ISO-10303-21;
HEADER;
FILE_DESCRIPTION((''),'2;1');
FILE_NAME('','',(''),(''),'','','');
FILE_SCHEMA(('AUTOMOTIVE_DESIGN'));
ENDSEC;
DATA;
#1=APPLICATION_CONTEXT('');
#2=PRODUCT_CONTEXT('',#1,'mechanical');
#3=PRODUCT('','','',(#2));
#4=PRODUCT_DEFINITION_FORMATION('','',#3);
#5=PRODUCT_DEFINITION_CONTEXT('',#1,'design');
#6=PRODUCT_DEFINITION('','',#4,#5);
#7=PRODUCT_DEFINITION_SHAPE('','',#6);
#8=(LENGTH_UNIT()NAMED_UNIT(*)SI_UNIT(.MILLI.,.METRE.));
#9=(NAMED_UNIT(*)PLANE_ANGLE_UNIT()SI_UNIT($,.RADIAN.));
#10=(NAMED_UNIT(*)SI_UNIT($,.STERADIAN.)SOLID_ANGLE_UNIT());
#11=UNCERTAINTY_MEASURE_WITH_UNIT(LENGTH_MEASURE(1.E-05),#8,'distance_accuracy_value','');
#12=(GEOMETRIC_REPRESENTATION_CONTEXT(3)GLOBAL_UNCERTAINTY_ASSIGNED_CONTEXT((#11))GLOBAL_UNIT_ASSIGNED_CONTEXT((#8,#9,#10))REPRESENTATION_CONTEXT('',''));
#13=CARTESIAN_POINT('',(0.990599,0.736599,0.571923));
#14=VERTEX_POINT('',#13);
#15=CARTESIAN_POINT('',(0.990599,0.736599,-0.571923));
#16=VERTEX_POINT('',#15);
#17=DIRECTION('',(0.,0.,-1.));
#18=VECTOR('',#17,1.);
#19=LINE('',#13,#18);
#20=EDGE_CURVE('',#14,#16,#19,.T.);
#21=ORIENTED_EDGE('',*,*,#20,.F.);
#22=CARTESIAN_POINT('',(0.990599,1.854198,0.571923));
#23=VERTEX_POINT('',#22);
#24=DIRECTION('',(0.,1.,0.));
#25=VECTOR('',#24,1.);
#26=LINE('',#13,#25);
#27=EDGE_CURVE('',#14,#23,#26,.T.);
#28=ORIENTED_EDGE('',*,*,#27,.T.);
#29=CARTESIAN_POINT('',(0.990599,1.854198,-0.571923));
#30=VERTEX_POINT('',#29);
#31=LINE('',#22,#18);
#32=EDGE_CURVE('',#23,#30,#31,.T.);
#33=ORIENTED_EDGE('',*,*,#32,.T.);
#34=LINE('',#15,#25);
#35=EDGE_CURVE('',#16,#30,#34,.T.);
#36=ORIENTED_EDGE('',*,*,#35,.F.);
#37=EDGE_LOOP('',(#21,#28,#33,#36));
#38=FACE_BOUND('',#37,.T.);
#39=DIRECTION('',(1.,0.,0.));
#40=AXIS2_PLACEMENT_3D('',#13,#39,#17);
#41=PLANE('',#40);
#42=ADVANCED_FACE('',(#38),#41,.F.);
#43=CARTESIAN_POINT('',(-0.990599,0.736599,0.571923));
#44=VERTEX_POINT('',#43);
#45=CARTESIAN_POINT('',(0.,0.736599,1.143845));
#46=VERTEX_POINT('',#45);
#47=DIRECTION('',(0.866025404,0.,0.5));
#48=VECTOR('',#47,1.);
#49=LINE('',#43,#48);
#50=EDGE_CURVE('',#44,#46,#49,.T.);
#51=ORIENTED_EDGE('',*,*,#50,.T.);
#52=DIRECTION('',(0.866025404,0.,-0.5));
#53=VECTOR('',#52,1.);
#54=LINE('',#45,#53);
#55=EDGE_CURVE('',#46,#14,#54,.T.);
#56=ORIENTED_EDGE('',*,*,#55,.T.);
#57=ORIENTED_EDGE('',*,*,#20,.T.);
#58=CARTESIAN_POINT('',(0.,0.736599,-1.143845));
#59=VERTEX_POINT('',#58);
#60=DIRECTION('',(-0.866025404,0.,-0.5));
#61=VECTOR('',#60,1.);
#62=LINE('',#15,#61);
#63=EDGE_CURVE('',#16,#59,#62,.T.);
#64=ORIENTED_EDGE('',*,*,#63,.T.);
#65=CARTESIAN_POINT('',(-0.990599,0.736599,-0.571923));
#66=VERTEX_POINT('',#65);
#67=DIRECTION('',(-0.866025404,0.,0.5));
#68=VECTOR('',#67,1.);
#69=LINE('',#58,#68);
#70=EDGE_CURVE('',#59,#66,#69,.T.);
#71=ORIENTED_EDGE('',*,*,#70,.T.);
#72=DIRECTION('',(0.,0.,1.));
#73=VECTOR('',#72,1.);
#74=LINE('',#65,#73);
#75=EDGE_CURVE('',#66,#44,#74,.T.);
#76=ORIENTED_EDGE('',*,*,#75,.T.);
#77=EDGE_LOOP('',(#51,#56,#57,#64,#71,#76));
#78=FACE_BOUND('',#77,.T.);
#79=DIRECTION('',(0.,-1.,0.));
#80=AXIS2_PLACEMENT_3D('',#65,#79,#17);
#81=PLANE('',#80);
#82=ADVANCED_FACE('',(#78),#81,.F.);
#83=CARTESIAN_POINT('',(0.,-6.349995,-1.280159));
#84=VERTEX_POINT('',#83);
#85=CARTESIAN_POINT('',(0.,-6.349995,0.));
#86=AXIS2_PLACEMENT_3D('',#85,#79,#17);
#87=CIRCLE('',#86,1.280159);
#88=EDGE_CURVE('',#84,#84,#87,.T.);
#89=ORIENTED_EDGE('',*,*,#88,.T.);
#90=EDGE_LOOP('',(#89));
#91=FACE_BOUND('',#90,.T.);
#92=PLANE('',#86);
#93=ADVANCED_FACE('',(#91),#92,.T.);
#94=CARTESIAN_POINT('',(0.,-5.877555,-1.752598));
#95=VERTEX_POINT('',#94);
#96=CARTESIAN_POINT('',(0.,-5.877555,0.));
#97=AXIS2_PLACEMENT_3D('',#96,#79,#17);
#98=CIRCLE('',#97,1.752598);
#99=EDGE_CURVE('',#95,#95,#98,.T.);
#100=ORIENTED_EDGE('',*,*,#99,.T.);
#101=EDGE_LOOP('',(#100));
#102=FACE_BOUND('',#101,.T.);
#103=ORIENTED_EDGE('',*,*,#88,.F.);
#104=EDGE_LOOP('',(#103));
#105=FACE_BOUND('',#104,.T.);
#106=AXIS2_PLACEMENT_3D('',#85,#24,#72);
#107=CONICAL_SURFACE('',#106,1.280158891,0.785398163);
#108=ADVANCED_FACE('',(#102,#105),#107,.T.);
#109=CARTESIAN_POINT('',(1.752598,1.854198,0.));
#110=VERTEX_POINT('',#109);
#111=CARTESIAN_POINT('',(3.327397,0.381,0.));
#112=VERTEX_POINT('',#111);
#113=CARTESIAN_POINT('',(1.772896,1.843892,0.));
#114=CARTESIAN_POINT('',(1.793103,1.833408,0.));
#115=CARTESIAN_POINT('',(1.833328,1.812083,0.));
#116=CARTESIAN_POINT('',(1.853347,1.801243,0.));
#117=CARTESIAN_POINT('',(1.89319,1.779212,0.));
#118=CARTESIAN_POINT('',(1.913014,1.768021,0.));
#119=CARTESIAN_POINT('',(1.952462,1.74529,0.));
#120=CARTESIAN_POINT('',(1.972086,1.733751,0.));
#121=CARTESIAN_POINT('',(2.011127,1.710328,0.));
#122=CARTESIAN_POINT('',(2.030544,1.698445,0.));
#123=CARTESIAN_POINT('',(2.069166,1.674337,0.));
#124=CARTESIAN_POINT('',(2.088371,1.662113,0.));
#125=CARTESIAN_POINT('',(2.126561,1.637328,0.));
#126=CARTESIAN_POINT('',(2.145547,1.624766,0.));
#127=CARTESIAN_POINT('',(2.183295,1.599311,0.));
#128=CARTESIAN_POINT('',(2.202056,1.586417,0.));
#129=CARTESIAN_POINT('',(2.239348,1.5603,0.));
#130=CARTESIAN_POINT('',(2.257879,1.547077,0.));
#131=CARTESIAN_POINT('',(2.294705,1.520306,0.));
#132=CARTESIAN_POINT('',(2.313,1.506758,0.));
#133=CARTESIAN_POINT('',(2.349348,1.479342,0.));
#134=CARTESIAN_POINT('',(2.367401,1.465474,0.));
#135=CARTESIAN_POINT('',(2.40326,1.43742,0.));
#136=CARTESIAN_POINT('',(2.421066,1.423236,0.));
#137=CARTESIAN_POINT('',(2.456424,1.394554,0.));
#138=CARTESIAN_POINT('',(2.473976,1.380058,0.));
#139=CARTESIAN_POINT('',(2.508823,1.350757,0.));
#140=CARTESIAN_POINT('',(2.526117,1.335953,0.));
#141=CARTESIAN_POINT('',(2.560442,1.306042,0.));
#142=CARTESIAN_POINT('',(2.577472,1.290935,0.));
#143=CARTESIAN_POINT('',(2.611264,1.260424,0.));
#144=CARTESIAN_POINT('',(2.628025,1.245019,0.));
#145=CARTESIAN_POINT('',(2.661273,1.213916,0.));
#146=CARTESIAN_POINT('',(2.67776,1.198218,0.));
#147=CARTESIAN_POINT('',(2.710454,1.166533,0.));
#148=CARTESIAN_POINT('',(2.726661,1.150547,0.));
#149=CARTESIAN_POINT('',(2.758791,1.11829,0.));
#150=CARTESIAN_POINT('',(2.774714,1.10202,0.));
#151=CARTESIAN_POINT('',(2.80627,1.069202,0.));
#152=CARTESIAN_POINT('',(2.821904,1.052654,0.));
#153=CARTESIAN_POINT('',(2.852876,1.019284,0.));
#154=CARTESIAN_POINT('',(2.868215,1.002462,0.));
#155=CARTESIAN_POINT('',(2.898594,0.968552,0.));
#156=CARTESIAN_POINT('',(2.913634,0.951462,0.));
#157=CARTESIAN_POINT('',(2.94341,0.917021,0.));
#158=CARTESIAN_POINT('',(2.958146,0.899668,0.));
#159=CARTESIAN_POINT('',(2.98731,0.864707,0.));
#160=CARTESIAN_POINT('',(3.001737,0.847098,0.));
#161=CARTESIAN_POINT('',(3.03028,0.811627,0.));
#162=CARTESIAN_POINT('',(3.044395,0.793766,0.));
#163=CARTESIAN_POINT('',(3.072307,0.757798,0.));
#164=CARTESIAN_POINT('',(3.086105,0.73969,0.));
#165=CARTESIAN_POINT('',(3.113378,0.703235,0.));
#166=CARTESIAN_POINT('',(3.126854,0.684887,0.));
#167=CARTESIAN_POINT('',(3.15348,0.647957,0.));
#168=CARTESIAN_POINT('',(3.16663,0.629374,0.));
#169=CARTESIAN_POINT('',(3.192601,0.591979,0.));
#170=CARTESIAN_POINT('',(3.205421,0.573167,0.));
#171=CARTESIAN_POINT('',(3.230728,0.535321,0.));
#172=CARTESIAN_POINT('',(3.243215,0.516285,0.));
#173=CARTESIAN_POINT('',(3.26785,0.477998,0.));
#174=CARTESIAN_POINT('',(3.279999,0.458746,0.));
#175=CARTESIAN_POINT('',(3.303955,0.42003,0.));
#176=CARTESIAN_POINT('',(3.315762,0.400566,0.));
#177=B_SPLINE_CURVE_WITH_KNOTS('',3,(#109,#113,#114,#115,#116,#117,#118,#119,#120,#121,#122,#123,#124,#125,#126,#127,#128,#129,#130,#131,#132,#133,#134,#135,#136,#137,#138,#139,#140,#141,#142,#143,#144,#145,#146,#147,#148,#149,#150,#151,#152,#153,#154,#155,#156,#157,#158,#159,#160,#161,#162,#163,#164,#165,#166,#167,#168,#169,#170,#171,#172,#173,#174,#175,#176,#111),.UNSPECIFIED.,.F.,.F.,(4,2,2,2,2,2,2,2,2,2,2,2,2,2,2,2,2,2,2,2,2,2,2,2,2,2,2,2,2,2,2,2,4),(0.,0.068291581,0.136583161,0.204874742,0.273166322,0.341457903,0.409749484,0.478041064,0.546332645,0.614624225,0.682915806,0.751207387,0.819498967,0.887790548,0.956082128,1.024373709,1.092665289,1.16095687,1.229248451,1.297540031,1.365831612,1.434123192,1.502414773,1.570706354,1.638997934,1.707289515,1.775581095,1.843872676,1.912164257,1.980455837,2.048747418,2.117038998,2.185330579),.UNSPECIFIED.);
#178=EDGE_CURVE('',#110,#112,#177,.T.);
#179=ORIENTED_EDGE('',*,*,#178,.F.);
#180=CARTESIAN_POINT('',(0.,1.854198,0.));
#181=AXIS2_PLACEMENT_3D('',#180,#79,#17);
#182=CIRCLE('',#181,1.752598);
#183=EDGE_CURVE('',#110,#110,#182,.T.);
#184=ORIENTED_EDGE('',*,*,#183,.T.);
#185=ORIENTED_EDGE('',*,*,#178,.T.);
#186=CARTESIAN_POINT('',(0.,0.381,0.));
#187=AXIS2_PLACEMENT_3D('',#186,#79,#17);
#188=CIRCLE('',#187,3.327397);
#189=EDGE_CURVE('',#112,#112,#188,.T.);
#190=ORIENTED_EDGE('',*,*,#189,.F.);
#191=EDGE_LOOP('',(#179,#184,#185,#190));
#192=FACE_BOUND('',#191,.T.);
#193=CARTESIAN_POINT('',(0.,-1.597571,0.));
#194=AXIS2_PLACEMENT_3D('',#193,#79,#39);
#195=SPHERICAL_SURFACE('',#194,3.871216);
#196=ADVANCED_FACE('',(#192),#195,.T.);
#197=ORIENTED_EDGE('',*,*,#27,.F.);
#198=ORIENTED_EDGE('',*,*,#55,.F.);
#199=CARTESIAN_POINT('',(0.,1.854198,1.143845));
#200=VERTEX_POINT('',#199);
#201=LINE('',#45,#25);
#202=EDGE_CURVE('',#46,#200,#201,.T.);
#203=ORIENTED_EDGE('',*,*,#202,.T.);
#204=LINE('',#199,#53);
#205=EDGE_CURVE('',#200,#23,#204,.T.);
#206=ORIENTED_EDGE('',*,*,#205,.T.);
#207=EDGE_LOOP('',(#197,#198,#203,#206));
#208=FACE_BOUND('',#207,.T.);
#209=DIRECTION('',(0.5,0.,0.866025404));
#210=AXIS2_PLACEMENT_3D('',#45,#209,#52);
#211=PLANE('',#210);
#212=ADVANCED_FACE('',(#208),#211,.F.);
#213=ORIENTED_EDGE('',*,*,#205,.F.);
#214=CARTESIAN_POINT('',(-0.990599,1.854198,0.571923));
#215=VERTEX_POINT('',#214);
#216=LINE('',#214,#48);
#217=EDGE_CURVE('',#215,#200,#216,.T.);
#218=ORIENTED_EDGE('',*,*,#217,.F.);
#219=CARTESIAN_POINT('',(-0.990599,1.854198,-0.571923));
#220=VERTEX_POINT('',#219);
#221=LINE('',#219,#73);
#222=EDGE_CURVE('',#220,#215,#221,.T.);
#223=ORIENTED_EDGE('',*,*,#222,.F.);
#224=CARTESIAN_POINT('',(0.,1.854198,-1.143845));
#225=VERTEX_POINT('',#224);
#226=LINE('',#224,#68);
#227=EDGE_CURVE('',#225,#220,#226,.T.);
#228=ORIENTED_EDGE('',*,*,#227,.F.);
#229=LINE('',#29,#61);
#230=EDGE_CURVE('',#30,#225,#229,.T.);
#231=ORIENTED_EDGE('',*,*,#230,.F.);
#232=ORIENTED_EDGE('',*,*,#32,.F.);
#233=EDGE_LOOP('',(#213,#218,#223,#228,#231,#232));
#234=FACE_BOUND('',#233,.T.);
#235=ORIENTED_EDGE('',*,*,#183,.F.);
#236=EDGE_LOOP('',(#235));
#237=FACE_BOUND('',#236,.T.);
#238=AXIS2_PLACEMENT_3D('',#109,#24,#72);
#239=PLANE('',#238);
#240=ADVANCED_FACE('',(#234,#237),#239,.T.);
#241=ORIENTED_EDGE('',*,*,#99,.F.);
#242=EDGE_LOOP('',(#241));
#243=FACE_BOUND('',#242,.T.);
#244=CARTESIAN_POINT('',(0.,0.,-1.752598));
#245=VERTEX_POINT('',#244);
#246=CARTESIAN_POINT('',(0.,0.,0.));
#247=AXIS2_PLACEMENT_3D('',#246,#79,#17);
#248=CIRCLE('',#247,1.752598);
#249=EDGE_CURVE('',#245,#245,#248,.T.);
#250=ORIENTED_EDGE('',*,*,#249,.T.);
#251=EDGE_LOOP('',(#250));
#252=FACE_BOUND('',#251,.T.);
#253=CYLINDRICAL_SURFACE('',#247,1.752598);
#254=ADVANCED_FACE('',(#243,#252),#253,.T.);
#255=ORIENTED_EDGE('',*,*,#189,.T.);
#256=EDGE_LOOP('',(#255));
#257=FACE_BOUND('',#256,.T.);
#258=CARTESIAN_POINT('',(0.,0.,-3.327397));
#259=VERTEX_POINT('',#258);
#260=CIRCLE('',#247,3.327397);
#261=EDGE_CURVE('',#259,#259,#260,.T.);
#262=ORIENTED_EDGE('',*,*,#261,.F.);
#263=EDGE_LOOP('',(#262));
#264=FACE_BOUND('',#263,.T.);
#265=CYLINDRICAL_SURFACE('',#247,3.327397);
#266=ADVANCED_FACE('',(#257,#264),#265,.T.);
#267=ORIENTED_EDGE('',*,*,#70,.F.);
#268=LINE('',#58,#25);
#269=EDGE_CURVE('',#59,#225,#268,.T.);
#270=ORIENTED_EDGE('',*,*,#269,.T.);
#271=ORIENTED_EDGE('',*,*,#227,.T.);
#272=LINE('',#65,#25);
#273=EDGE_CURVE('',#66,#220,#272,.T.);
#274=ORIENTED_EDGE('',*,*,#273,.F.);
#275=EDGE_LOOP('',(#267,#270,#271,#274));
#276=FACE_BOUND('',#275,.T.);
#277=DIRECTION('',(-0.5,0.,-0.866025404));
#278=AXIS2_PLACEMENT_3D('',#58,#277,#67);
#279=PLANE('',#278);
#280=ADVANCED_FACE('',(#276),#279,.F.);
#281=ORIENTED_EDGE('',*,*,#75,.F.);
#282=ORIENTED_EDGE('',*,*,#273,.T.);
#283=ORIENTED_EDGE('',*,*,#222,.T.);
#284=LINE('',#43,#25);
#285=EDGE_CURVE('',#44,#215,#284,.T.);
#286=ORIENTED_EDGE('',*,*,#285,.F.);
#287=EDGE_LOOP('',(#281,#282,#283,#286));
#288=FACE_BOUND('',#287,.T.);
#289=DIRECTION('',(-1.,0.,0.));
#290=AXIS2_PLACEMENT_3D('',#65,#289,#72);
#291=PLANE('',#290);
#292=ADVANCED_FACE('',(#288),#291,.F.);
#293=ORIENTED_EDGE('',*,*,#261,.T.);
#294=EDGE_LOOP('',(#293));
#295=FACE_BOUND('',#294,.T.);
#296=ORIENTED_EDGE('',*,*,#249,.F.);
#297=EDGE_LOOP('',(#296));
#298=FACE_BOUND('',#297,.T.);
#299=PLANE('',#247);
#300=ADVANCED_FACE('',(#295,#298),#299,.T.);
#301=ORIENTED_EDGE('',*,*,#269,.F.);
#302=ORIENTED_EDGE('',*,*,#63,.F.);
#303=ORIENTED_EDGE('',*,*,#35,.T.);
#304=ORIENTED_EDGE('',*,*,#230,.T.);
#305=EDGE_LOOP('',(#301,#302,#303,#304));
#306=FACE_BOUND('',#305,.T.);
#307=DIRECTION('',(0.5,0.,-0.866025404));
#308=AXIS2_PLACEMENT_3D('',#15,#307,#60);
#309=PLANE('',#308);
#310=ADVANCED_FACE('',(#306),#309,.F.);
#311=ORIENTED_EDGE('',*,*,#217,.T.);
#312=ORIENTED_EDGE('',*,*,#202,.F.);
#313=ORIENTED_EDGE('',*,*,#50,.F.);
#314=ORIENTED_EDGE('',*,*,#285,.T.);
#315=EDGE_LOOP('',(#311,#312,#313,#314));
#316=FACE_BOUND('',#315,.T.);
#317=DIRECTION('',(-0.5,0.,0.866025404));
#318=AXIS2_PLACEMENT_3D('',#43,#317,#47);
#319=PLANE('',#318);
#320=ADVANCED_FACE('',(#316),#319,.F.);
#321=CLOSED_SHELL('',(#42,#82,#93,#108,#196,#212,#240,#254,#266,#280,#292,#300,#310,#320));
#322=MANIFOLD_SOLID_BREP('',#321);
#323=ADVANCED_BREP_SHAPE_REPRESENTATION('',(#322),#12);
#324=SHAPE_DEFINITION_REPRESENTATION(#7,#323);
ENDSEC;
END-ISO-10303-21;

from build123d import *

# Parameters (mm, degrees)
CUT_EXTRUDE1_DEPTH = 1.117599032


with BuildPart() as part:
    # Sketch1 → Base-Revolve (revolve)
    with BuildSketch(Plane.XY, mode=Mode.PRIVATE) as base_revolve_sk:
        with BuildLine():
            Line((0, 0), (3.327397118, 0))
            Line((3.327397118, 0), (3.327397118, 0.38099967))
            ThreePointArc((3.327397118, 0.38099967), (2.644648832, 1.229467376), (1.752598482, 1.854198394))
            Line((1.752598482, 1.854198394), (0, 1.854198394))
            Line((0, 1.854198394), (0, 0))
        make_face()
    revolve(base_revolve_sk.sketch.rotate(Axis((0, 0, 0), (0, 1, 0)), 90), axis=Axis((0, 0, 0), (0, 1, 0)))

    # Sketch2 → Boss-Revolve1 (revolve)
    with BuildSketch(Plane.XY, mode=Mode.PRIVATE) as boss_revolve1_sk:
        Polygon((0, -6.3499945), (1.280158891, -6.3499945), (1.752598482, -5.877554909), (1.752598482, 0), (0, 0), align=None)
    revolve(boss_revolve1_sk.sketch.rotate(Axis((0, 0, 0), (0, 1, 0)), 90), axis=Axis((0, 0, 0), (0, 1, 0)))

    # Sketch3 → Cut-Extrude1 (cut)
    with BuildSketch(Plane(origin=(0, 1.854198394, 0), x_dir=(-1, 0, 0), z_dir=(0, 1, 0))):
        Polygon((0.990599142, 0.571922681), (0, 1.143845363), (-0.990599142, 0.571922681), (-0.990599142, -0.571922681), (0, -1.143845363), (0.990599142, -0.571922681), align=None)
    extrude(amount=-CUT_EXTRUDE1_DEPTH, mode=Mode.SUBTRACT)


solid = part.part
